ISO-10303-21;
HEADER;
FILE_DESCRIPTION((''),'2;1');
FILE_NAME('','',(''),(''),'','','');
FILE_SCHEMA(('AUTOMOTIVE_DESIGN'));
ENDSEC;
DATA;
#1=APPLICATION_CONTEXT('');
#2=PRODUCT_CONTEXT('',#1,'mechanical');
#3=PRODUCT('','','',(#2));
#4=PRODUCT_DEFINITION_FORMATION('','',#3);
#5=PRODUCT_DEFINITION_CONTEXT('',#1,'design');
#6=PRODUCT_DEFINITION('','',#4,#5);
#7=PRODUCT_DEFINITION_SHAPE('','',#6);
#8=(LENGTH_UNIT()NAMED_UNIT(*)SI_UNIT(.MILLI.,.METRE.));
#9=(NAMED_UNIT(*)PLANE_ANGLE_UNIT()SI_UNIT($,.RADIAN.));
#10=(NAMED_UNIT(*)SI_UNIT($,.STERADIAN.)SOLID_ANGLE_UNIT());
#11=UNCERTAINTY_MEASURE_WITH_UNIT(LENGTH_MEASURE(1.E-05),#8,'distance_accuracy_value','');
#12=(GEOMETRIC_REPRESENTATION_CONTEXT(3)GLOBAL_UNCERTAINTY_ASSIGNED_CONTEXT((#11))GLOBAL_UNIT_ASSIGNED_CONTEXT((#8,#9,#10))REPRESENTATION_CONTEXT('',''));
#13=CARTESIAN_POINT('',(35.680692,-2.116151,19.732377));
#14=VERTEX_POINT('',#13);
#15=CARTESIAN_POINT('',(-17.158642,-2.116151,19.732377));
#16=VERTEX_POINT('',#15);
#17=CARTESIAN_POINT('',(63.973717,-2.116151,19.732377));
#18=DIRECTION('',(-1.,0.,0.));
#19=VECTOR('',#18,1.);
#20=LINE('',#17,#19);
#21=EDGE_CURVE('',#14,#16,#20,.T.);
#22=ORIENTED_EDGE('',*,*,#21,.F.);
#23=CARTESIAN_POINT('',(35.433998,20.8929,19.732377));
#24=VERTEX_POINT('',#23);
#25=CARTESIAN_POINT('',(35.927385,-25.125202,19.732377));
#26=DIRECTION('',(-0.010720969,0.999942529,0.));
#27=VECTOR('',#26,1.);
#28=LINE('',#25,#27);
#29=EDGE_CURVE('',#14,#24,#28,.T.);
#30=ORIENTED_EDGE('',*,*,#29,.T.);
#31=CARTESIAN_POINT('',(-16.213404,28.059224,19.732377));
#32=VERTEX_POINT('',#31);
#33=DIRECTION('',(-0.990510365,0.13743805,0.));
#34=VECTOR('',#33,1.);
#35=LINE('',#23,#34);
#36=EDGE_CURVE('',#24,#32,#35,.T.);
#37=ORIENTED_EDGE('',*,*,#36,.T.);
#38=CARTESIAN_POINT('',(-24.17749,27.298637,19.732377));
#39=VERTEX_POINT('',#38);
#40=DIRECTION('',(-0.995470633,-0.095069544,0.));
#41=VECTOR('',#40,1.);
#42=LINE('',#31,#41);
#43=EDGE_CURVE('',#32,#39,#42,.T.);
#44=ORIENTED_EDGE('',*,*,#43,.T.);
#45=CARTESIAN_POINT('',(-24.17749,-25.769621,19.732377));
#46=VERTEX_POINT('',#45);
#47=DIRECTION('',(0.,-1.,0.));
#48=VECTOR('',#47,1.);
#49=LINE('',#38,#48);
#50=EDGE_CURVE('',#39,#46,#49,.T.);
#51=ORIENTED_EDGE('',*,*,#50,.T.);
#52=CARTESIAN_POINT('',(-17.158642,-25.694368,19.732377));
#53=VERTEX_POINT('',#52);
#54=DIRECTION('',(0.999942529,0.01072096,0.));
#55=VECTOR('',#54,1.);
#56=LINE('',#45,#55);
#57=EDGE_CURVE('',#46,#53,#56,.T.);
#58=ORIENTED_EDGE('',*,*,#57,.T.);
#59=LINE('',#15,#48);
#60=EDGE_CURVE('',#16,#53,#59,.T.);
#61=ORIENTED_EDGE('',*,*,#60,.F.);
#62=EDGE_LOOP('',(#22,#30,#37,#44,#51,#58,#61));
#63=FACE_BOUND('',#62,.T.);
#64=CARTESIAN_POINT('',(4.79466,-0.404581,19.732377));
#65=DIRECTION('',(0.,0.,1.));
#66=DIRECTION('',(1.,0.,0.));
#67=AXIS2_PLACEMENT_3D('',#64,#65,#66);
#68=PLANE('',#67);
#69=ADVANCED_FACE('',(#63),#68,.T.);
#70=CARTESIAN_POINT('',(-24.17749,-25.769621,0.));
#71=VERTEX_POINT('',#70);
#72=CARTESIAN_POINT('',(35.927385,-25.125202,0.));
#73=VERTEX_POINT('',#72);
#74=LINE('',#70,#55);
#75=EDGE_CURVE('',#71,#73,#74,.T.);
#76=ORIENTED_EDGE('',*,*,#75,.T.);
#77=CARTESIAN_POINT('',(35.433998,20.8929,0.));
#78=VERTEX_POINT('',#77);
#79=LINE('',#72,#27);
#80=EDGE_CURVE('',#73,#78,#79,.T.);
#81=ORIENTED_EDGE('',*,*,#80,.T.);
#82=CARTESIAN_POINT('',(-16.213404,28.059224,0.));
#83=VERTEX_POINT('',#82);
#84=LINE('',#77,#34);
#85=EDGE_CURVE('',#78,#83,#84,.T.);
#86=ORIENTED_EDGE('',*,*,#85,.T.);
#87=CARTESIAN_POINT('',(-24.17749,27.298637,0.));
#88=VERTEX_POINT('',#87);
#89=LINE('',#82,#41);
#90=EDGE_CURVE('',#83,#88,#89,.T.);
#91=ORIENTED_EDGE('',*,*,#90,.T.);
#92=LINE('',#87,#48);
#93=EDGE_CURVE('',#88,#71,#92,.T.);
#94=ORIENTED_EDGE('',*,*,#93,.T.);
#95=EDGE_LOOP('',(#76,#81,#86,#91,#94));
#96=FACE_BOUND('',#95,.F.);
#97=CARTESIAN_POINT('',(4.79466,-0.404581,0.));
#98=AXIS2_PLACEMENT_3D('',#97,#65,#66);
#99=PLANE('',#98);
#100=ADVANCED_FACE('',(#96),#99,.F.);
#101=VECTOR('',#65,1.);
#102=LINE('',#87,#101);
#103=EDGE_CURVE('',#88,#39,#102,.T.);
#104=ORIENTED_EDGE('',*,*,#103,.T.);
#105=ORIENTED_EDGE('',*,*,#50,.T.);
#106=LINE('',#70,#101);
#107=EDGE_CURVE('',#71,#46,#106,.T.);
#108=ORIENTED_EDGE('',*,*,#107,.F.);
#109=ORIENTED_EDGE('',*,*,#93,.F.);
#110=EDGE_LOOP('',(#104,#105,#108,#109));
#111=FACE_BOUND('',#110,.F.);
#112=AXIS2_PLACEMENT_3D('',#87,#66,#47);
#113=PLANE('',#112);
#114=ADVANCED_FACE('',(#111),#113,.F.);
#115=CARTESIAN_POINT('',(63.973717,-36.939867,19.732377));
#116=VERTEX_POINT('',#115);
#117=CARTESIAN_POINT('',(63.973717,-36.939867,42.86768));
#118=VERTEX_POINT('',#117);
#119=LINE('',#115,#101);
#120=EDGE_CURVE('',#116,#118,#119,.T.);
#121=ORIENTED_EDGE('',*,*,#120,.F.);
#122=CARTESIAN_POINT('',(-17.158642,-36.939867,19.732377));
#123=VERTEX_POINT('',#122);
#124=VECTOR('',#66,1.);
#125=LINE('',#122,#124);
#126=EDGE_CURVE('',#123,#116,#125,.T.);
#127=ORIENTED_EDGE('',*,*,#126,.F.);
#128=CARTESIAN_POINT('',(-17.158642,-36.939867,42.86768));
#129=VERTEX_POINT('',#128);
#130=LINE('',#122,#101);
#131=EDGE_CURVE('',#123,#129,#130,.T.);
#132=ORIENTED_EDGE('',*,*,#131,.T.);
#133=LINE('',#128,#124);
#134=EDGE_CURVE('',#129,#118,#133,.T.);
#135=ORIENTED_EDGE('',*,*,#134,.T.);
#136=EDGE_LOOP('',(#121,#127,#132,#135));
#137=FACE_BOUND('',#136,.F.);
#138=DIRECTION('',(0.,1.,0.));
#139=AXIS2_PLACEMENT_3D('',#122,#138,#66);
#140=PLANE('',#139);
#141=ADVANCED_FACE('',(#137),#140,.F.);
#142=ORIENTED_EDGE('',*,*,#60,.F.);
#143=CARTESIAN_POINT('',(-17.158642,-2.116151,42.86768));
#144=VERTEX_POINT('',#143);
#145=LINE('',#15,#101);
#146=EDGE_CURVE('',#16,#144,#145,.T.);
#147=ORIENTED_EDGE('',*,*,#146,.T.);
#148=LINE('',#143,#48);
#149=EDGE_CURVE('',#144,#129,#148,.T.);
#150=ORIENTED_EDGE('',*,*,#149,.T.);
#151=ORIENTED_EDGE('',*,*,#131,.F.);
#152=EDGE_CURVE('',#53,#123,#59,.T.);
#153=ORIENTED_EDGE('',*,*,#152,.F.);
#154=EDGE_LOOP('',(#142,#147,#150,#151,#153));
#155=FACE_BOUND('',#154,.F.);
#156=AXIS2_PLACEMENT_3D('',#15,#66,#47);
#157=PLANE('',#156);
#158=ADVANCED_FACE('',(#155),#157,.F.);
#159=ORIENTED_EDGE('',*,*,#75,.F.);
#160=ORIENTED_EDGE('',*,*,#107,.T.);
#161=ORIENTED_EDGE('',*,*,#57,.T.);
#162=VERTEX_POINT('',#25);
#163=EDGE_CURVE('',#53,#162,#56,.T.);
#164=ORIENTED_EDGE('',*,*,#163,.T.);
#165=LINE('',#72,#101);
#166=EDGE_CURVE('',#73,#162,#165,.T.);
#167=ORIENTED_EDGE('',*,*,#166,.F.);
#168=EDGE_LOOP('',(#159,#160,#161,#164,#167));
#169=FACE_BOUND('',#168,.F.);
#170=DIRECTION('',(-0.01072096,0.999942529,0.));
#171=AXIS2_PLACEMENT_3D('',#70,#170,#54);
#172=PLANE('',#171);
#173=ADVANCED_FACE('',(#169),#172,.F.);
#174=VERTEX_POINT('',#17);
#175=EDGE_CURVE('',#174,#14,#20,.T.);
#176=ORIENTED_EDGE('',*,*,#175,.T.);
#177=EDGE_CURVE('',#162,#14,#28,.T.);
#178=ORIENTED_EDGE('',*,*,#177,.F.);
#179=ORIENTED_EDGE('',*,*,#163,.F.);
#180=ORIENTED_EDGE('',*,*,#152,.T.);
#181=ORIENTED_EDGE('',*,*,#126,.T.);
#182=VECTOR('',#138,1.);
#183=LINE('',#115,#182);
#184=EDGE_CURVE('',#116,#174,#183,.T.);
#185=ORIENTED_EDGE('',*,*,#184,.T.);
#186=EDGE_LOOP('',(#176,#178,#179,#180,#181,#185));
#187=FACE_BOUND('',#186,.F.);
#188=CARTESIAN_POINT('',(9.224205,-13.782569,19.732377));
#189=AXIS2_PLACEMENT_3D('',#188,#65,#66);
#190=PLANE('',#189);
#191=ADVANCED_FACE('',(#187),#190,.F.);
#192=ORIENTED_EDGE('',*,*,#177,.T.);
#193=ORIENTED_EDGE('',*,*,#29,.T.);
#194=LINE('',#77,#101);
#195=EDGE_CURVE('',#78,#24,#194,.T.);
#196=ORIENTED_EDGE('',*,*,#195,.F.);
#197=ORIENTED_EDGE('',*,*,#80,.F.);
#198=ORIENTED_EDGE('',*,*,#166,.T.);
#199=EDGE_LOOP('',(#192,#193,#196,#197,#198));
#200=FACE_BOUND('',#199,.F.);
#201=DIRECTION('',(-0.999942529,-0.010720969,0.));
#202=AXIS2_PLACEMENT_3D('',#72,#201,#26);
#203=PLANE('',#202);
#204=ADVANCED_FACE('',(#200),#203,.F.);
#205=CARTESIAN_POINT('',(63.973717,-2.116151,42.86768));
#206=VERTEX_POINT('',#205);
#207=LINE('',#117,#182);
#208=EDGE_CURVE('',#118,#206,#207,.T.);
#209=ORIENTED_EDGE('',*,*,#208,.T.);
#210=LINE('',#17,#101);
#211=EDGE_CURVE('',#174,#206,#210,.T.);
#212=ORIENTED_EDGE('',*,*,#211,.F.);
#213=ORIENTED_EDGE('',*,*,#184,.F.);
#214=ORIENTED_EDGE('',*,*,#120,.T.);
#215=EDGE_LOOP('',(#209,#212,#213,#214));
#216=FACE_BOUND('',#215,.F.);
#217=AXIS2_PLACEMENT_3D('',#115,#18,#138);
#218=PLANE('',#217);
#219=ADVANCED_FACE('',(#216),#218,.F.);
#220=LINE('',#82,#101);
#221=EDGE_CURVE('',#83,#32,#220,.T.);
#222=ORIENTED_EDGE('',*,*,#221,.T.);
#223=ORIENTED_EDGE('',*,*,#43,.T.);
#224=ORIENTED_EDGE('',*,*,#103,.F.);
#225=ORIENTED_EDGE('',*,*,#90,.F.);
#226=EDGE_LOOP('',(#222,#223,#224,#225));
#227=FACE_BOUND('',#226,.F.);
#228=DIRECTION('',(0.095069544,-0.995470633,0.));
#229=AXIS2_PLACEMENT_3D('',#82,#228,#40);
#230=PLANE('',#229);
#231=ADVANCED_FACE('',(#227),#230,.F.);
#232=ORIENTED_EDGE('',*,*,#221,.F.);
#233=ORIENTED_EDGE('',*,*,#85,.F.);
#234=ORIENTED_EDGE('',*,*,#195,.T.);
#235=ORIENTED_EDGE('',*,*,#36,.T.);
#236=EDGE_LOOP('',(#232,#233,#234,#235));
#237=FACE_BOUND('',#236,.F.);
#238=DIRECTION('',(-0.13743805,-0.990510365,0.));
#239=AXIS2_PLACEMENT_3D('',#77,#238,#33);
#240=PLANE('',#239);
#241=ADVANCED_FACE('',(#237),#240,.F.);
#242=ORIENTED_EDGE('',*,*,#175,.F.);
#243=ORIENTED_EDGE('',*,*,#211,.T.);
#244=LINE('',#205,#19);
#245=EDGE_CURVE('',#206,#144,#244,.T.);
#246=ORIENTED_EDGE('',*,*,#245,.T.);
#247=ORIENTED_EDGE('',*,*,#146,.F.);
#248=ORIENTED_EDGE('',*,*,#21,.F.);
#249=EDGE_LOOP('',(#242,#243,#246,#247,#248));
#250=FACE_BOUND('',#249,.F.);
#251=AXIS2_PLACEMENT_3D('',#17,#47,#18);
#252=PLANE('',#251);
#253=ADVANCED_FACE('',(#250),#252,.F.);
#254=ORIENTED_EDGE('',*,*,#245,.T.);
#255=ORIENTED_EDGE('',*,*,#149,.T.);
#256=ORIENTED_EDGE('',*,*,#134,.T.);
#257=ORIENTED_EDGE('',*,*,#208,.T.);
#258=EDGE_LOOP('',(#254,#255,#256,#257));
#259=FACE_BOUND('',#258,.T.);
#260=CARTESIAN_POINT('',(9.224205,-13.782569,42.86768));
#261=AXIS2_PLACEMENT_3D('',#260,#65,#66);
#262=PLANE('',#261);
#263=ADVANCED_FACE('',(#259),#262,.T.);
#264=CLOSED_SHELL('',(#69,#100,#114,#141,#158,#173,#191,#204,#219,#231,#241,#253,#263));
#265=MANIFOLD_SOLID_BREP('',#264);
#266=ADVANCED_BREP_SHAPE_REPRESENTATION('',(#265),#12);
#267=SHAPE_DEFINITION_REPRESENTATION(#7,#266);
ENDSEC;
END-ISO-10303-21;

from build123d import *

# Parameters (mm, degrees)
F1_DEPTH = 19.732377
F3_DEPTH = 23.135303


with BuildPart() as f1:
    # F0 (on Top) → F1 (new body)
    with BuildSketch(Plane.XY):
        Polygon((-16.213404, 28.059224), (-24.17749, 27.298637), (-24.17749, -25.769621), (35.927385, -25.125202), (35.433998, 20.8929), align=None)
    extrude(amount=F1_DEPTH)

    # F2 (on face) → F3 (join)
    with BuildSketch(Plane.XY.offset(19.732377)):
        Polygon((-17.158642, -2.116151), (-17.158642, -25.694368), (35.927385, -25.125202), (35.680692, -2.116151), align=None)
        Polygon((-17.158642, -25.694368), (-17.158642, -36.939867), (63.973717, -36.939867), (63.973717, -2.116151), (35.680692, -2.116151), (35.927385, -25.125202), align=None)
    extrude(amount=F3_DEPTH)


solid = f1.part
